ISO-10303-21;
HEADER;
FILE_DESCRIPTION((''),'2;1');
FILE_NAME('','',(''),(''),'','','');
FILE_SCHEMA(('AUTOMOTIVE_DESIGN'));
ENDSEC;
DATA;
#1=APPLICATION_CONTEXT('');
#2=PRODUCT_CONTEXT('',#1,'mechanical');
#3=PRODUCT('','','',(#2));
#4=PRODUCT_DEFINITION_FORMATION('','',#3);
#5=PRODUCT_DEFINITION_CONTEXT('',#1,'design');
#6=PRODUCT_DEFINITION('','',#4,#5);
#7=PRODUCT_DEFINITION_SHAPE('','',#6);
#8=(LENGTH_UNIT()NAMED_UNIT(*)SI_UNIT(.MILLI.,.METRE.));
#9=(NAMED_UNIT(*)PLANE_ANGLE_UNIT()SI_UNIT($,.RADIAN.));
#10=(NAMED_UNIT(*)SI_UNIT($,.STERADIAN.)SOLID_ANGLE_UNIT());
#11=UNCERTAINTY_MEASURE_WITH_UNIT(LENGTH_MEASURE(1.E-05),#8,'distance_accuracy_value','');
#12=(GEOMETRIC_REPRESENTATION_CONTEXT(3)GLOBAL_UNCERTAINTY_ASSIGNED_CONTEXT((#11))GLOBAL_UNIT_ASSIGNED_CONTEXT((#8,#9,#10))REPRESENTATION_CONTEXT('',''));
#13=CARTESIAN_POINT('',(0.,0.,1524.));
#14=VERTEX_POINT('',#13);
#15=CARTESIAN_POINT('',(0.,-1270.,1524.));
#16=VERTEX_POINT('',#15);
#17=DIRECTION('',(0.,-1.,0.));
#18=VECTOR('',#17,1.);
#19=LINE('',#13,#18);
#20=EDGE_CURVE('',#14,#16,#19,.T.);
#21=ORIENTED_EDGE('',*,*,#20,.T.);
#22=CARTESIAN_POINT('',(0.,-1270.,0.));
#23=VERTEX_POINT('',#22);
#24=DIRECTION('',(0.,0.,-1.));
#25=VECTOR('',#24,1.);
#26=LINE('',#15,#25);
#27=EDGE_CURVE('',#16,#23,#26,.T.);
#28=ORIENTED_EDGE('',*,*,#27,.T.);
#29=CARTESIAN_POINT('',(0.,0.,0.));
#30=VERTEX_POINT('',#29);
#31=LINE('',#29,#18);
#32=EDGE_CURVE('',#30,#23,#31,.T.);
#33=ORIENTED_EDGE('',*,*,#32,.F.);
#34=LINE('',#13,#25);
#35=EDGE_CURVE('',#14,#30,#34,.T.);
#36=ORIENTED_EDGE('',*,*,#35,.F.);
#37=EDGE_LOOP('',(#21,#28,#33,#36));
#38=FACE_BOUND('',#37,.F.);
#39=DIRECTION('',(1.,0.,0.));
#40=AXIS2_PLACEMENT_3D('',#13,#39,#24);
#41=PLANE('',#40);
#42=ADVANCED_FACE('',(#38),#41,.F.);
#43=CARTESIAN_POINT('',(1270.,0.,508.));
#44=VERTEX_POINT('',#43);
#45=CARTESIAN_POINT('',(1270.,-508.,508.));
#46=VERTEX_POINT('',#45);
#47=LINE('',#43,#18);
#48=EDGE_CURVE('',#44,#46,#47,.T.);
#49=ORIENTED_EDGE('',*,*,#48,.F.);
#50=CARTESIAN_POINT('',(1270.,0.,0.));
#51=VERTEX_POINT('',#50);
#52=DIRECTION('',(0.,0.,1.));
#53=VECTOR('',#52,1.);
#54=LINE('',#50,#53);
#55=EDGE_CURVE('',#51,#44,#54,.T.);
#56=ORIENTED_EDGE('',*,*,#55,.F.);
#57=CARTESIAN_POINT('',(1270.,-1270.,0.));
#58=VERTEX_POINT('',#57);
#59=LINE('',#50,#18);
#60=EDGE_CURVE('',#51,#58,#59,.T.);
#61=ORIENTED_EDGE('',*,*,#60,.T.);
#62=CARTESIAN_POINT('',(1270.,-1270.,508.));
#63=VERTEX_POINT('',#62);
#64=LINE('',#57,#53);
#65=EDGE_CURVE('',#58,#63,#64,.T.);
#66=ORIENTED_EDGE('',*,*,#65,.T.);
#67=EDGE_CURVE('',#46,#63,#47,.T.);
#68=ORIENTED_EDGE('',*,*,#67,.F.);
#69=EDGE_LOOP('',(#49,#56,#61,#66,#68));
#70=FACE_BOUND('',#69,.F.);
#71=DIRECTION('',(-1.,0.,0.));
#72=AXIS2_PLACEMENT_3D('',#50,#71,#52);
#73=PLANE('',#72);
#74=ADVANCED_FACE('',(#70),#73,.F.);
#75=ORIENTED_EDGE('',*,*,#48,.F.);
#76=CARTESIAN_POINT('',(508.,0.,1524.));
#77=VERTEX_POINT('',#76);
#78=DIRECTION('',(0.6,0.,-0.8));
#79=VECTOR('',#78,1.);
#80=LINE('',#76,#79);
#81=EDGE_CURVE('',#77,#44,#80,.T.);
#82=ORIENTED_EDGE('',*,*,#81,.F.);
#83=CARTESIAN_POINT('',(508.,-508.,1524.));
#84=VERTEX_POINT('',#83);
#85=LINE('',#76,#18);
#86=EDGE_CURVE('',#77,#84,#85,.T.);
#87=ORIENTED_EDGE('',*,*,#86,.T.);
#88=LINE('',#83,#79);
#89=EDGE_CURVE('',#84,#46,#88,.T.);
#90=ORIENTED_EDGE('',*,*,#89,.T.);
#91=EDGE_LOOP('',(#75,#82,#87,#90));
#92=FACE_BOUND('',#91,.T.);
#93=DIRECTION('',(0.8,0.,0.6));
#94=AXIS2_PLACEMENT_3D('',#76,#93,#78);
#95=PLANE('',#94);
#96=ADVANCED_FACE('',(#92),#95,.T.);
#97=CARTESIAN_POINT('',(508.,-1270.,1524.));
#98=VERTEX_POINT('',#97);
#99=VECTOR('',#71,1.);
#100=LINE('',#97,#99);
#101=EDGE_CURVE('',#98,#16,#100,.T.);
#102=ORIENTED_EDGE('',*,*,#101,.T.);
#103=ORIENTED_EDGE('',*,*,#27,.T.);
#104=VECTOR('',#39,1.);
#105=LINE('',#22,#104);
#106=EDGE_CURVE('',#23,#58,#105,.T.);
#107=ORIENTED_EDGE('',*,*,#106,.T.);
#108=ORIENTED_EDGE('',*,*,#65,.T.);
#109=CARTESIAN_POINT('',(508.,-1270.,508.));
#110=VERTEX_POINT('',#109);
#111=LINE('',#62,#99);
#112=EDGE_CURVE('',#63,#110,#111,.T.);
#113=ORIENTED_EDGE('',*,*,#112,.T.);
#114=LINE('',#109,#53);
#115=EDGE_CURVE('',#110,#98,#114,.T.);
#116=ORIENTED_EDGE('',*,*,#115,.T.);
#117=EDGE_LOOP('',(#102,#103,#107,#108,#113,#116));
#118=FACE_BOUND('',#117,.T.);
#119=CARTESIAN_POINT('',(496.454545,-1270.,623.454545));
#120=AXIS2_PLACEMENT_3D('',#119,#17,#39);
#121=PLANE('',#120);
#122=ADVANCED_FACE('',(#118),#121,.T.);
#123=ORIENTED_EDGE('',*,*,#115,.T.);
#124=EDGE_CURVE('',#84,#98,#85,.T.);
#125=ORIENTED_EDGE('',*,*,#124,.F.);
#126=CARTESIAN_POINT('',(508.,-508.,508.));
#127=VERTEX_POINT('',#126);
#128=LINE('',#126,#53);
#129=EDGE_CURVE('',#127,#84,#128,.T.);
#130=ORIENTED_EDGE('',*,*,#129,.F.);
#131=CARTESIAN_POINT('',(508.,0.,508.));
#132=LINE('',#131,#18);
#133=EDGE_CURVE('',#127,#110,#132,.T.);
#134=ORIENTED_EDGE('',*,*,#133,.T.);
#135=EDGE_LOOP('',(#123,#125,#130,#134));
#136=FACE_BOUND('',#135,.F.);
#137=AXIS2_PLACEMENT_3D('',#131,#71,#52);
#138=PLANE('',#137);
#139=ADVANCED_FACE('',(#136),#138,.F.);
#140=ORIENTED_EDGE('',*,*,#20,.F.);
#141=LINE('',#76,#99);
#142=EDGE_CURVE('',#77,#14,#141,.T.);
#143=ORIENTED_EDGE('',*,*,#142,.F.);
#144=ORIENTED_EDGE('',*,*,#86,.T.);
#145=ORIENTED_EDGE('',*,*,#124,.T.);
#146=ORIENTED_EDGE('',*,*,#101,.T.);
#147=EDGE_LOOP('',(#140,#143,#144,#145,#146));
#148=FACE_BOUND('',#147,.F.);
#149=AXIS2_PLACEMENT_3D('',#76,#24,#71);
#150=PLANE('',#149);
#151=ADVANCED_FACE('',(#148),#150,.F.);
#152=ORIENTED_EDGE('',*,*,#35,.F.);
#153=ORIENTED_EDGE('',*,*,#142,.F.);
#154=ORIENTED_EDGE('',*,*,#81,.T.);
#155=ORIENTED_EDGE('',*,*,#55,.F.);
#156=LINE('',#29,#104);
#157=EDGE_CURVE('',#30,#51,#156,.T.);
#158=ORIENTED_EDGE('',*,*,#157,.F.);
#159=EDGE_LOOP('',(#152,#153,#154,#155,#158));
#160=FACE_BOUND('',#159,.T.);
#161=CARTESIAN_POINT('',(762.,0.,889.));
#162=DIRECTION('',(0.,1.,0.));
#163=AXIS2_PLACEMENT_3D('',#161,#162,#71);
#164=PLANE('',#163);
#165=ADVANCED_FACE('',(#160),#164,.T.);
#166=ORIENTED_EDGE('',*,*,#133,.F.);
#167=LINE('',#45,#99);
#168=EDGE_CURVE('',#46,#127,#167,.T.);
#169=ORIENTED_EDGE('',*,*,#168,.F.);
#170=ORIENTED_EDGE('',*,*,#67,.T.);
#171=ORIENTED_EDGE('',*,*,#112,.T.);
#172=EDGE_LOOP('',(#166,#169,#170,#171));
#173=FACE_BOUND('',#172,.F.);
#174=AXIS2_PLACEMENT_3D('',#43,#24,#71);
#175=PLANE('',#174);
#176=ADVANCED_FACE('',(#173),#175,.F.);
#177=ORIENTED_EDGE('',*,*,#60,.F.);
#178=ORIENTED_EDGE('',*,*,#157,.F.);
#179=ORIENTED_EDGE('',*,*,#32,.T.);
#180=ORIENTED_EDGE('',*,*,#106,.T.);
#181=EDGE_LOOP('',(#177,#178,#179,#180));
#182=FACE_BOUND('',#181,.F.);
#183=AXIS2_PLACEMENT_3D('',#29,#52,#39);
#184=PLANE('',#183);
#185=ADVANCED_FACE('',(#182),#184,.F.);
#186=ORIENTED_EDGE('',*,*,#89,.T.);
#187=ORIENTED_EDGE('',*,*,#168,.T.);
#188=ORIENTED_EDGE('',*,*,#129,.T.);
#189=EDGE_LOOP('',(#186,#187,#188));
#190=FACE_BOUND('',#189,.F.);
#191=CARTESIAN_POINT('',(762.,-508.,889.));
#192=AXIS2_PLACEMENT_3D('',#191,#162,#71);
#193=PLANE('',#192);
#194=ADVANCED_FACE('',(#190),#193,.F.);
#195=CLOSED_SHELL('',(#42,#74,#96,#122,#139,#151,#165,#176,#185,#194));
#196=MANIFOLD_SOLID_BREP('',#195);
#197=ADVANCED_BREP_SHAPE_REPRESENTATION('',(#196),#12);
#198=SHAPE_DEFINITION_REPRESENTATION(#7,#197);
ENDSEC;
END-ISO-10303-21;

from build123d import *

# Parameters (mm, degrees)
F1_DEPTH = 1270
F3_DEPTH = 508


with BuildPart() as f1:
    # F0 (on Front) → F1 (new body)
    with BuildSketch(Plane.XZ):
        Polygon((0, 1524), (0, 0), (1270, 0), (1270, 508), (508, 508), (508, 1524), align=None)
    extrude(amount=F1_DEPTH)

    # F2 (on face) → F3 (join)
    with BuildSketch(Plane(origin=(0, 0, 0), x_dir=(-1, 0, 0), z_dir=(0, 1, 0))):
        Polygon((-508, 508), (-508, 1524), (-1270, 508), align=None)
    extrude(amount=-F3_DEPTH)


solid = f1.part
